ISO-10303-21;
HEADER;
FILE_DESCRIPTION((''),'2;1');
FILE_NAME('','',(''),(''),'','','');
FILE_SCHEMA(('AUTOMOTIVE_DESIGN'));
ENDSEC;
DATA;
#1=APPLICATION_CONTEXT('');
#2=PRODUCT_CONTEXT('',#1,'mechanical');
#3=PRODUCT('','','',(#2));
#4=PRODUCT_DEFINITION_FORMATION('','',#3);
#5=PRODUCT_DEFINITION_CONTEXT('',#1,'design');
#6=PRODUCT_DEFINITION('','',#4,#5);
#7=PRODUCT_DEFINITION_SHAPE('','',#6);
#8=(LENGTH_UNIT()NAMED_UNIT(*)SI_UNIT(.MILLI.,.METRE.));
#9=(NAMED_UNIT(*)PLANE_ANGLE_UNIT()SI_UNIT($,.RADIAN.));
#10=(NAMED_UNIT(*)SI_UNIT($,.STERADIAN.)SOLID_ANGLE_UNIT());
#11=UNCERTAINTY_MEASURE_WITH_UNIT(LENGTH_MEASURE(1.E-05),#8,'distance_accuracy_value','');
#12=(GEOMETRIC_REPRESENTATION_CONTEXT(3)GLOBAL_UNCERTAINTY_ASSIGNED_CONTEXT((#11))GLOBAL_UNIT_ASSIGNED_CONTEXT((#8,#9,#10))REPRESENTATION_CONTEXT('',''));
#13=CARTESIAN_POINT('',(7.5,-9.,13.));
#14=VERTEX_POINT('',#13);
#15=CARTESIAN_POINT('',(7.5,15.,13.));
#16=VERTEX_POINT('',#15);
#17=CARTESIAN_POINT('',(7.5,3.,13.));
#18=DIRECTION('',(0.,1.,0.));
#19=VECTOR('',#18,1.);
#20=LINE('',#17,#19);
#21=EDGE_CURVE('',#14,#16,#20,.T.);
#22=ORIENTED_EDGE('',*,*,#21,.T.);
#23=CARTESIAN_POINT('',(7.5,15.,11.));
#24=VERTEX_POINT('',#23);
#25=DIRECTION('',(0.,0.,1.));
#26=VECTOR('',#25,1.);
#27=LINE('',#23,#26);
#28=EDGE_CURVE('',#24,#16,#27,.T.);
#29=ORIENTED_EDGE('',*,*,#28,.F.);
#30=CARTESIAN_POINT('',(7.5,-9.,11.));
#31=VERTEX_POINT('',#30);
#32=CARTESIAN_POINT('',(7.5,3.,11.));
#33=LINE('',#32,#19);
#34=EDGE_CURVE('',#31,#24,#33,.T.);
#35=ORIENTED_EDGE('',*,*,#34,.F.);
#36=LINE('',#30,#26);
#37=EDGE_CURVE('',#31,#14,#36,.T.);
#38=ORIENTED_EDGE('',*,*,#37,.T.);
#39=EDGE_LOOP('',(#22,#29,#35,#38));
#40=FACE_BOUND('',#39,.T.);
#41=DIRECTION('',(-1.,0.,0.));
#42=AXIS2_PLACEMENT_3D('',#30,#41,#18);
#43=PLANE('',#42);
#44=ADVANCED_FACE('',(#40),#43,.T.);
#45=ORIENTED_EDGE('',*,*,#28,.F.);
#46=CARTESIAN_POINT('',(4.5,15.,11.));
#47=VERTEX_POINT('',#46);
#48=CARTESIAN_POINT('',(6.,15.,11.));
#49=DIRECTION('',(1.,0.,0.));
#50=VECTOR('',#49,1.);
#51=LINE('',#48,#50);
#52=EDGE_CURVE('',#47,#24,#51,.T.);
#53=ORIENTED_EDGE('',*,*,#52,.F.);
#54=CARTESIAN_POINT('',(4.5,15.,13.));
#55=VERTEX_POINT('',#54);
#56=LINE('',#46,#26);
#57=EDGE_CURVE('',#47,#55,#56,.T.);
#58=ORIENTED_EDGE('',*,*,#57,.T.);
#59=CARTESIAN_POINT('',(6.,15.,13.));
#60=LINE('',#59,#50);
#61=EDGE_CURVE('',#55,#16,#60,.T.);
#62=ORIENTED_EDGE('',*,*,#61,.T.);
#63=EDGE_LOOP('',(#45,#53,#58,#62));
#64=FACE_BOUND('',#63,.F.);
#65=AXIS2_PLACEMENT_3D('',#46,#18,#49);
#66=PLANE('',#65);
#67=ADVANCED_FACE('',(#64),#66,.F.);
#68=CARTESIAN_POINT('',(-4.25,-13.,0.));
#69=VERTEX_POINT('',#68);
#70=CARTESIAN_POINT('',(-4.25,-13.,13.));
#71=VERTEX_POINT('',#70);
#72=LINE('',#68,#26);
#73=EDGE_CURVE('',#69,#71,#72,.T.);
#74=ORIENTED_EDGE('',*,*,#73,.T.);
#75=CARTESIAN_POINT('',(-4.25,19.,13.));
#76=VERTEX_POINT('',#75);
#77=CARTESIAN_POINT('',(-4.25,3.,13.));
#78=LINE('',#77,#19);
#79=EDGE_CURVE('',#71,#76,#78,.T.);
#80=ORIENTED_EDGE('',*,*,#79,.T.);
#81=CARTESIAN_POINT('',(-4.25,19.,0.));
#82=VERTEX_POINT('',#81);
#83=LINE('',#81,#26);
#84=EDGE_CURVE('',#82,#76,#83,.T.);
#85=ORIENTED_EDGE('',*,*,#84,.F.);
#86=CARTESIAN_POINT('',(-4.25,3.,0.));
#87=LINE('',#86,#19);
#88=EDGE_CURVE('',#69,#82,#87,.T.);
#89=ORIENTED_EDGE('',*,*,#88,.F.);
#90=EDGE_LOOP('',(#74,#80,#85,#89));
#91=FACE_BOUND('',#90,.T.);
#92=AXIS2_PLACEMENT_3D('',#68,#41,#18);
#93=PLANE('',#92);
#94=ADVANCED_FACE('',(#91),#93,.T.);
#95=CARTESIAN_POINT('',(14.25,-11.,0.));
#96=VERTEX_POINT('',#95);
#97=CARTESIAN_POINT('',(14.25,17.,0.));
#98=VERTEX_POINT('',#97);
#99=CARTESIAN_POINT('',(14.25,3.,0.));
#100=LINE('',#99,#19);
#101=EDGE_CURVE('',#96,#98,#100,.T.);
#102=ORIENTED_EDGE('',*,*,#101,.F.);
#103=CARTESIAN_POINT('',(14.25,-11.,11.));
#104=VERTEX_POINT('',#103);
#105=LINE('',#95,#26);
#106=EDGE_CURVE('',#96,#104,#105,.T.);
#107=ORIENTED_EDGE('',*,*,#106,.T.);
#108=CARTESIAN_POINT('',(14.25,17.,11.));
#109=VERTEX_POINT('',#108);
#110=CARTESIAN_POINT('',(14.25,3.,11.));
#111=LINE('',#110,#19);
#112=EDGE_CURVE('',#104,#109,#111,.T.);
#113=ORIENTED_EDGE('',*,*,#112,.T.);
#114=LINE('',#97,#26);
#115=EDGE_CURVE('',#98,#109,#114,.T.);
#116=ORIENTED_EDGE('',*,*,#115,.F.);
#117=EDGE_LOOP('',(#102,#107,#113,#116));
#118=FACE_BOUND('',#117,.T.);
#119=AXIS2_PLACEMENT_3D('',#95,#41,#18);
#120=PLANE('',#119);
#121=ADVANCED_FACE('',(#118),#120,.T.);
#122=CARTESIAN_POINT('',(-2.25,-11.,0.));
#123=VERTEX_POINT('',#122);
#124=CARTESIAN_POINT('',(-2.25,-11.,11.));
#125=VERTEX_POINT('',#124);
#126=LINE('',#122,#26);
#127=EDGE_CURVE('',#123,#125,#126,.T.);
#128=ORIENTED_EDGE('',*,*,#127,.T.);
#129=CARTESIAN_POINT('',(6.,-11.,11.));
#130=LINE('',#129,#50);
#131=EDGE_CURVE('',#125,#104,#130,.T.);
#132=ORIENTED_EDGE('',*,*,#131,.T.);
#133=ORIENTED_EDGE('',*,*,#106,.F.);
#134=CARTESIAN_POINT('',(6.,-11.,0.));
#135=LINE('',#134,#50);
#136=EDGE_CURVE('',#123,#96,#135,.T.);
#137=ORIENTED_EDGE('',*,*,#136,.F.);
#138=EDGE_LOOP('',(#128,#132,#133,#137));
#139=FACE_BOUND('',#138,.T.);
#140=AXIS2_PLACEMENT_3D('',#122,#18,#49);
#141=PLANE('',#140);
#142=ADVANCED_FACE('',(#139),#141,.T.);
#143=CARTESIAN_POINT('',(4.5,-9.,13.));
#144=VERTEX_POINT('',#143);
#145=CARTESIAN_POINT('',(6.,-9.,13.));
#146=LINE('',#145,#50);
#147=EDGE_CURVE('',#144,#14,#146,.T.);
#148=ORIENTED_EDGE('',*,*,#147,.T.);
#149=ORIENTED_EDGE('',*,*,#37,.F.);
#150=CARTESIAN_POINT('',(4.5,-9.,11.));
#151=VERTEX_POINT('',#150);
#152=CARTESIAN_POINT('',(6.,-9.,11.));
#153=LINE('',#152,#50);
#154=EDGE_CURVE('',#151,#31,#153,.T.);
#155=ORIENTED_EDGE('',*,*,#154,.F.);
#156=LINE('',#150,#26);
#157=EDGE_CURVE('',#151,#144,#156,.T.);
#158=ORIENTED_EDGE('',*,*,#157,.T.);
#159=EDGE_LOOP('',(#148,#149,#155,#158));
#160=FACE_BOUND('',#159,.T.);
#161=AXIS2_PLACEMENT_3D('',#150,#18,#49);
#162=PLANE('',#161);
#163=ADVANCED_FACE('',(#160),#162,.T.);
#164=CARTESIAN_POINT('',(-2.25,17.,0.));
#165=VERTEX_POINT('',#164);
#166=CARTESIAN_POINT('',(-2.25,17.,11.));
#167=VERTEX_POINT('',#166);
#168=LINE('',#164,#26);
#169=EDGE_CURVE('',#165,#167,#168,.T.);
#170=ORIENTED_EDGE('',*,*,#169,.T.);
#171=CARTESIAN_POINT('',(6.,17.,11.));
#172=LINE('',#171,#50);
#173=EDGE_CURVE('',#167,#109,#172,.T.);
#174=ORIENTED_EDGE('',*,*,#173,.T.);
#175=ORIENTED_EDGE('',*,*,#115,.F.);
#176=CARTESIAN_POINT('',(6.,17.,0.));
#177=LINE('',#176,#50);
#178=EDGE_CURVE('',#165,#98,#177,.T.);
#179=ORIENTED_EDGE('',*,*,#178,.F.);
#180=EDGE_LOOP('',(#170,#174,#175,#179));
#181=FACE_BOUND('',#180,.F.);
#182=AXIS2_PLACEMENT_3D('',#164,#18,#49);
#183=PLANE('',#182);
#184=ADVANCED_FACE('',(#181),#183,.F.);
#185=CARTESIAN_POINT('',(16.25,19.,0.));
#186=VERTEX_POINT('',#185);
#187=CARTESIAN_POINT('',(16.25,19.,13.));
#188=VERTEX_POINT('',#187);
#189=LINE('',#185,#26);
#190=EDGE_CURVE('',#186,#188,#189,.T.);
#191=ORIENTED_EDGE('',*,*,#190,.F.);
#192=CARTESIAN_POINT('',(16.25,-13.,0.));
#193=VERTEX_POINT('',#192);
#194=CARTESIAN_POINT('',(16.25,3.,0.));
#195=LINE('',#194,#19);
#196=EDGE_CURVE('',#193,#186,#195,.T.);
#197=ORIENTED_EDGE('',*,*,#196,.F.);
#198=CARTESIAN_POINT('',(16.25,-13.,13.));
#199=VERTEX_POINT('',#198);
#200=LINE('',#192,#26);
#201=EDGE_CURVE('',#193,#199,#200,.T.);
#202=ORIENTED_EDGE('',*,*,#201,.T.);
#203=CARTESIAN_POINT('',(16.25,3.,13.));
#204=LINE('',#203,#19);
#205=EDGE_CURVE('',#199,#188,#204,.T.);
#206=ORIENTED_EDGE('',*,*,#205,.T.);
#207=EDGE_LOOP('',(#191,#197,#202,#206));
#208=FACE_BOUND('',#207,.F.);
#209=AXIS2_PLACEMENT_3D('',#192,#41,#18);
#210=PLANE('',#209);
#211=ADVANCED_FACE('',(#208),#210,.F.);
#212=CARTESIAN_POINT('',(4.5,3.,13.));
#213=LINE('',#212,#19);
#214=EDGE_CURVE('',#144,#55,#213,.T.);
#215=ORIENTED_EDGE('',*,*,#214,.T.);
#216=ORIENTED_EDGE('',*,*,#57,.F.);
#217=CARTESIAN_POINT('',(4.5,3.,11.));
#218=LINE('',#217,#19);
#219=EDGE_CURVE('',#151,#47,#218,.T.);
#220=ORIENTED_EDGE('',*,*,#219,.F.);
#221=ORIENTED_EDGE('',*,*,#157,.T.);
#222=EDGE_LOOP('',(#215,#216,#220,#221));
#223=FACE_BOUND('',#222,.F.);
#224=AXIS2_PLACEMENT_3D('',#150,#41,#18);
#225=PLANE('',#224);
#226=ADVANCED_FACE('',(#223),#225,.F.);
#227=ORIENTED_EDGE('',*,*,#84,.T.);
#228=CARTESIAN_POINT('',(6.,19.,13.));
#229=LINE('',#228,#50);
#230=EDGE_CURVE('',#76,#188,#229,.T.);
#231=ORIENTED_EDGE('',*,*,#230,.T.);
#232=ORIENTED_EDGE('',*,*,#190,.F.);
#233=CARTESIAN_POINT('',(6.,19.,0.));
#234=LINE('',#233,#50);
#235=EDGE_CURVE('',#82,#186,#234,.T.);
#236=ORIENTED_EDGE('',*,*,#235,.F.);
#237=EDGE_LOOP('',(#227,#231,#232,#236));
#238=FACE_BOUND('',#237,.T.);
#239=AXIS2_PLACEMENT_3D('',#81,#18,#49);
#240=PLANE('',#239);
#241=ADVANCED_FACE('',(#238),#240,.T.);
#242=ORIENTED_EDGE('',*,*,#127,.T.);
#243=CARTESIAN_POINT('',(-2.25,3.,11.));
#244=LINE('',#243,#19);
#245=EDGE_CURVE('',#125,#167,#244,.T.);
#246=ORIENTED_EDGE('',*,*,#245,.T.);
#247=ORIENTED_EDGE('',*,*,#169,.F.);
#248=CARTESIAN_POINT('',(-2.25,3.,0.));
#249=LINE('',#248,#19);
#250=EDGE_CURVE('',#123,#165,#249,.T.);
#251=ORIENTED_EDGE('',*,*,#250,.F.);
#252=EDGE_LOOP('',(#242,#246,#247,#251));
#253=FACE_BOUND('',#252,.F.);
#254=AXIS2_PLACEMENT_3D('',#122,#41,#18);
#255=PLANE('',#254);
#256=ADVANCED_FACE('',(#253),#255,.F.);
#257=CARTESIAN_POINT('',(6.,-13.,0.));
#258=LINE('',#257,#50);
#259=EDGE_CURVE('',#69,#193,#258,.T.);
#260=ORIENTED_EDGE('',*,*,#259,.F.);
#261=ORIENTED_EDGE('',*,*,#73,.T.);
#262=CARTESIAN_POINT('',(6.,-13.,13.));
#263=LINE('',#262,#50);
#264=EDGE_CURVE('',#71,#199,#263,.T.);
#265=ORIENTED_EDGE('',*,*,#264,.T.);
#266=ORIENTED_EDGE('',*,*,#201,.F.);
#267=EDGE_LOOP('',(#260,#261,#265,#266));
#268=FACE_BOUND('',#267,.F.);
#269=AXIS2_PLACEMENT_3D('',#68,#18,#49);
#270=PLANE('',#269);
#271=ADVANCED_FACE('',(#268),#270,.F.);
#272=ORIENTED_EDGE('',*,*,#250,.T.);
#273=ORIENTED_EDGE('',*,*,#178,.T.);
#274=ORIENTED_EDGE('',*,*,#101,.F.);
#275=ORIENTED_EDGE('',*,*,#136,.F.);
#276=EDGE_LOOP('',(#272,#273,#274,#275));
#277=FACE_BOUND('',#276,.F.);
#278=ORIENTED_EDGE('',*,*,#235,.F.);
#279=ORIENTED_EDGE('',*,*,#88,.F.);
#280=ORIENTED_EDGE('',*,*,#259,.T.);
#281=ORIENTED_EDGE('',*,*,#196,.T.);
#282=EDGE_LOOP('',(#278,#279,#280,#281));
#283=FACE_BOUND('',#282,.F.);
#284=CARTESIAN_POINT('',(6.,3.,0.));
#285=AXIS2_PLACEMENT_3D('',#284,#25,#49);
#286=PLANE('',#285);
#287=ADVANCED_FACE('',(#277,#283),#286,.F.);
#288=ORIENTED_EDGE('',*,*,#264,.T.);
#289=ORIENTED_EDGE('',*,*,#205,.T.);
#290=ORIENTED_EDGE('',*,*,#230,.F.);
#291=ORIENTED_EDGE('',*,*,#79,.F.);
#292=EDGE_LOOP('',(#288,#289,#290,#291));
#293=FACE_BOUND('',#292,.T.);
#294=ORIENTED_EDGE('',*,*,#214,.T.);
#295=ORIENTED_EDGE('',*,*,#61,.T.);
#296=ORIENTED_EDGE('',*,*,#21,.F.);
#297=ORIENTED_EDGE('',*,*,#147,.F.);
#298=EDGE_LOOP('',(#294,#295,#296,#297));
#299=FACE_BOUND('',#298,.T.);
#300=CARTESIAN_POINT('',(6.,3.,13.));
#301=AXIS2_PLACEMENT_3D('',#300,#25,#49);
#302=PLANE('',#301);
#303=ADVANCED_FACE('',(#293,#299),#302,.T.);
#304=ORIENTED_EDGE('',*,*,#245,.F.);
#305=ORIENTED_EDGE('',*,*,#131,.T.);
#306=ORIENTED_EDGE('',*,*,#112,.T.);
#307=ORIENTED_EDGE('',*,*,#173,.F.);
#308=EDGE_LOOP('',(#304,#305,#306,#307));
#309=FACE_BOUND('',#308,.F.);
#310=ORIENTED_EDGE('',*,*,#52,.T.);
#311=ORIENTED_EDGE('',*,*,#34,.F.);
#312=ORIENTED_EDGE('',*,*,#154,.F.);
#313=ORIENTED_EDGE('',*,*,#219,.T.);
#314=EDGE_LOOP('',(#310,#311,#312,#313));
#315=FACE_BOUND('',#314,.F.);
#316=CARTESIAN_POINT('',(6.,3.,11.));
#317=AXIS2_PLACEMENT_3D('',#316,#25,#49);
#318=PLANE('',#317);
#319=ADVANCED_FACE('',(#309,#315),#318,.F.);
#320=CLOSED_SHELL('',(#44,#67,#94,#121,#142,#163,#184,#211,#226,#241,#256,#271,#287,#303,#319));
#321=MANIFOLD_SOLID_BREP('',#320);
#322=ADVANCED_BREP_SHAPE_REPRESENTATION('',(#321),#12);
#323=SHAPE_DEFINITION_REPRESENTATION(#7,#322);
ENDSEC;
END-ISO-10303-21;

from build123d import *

# Parameters (mm, degrees)
BOX017_W     = 16.5
BOX017_H     = 28
BOX017_DEPTH = 11
BOX026_W     = 3
BOX026_H     = 24
BOX026_DEPTH = 2
BOX018_W     = 20.5
BOX018_H     = 32
BOX018_DEPTH = 13


with BuildPart() as cube017:
    # Box017 → Box017 (new body)
    with BuildSketch(Plane(origin=(-2.25, -11, 0), x_dir=(1, 0, 0), z_dir=(0, 0, 1))):
        with Locations((8.25, 14)):
            Rectangle(BOX017_W, BOX017_H)
    extrude(amount=BOX017_DEPTH)


with BuildPart() as fusion011:
    # Box026 → Box026 (new body)
    with BuildSketch(Plane(origin=(4.5, -9, 11), x_dir=(1, 0, 0), z_dir=(0, 0, 1))):
        with Locations((1.5, 12)):
            Rectangle(BOX026_W, BOX026_H)
    extrude(amount=BOX026_DEPTH)

    # Fusion011: union Cube017
    add(cube017.part)


with BuildPart() as tracklightconnouter:
    # Box018 → Box018 (new body)
    with BuildSketch(Plane(origin=(-4.25, -13, 0), x_dir=(1, 0, 0), z_dir=(0, 0, 1))):
        with Locations((10.25, 16)):
            Rectangle(BOX018_W, BOX018_H)
    extrude(amount=BOX018_DEPTH)

    # Cut022: cut Fusion011
    add(fusion011.part, mode=Mode.SUBTRACT)


solid = tracklightconnouter.part
